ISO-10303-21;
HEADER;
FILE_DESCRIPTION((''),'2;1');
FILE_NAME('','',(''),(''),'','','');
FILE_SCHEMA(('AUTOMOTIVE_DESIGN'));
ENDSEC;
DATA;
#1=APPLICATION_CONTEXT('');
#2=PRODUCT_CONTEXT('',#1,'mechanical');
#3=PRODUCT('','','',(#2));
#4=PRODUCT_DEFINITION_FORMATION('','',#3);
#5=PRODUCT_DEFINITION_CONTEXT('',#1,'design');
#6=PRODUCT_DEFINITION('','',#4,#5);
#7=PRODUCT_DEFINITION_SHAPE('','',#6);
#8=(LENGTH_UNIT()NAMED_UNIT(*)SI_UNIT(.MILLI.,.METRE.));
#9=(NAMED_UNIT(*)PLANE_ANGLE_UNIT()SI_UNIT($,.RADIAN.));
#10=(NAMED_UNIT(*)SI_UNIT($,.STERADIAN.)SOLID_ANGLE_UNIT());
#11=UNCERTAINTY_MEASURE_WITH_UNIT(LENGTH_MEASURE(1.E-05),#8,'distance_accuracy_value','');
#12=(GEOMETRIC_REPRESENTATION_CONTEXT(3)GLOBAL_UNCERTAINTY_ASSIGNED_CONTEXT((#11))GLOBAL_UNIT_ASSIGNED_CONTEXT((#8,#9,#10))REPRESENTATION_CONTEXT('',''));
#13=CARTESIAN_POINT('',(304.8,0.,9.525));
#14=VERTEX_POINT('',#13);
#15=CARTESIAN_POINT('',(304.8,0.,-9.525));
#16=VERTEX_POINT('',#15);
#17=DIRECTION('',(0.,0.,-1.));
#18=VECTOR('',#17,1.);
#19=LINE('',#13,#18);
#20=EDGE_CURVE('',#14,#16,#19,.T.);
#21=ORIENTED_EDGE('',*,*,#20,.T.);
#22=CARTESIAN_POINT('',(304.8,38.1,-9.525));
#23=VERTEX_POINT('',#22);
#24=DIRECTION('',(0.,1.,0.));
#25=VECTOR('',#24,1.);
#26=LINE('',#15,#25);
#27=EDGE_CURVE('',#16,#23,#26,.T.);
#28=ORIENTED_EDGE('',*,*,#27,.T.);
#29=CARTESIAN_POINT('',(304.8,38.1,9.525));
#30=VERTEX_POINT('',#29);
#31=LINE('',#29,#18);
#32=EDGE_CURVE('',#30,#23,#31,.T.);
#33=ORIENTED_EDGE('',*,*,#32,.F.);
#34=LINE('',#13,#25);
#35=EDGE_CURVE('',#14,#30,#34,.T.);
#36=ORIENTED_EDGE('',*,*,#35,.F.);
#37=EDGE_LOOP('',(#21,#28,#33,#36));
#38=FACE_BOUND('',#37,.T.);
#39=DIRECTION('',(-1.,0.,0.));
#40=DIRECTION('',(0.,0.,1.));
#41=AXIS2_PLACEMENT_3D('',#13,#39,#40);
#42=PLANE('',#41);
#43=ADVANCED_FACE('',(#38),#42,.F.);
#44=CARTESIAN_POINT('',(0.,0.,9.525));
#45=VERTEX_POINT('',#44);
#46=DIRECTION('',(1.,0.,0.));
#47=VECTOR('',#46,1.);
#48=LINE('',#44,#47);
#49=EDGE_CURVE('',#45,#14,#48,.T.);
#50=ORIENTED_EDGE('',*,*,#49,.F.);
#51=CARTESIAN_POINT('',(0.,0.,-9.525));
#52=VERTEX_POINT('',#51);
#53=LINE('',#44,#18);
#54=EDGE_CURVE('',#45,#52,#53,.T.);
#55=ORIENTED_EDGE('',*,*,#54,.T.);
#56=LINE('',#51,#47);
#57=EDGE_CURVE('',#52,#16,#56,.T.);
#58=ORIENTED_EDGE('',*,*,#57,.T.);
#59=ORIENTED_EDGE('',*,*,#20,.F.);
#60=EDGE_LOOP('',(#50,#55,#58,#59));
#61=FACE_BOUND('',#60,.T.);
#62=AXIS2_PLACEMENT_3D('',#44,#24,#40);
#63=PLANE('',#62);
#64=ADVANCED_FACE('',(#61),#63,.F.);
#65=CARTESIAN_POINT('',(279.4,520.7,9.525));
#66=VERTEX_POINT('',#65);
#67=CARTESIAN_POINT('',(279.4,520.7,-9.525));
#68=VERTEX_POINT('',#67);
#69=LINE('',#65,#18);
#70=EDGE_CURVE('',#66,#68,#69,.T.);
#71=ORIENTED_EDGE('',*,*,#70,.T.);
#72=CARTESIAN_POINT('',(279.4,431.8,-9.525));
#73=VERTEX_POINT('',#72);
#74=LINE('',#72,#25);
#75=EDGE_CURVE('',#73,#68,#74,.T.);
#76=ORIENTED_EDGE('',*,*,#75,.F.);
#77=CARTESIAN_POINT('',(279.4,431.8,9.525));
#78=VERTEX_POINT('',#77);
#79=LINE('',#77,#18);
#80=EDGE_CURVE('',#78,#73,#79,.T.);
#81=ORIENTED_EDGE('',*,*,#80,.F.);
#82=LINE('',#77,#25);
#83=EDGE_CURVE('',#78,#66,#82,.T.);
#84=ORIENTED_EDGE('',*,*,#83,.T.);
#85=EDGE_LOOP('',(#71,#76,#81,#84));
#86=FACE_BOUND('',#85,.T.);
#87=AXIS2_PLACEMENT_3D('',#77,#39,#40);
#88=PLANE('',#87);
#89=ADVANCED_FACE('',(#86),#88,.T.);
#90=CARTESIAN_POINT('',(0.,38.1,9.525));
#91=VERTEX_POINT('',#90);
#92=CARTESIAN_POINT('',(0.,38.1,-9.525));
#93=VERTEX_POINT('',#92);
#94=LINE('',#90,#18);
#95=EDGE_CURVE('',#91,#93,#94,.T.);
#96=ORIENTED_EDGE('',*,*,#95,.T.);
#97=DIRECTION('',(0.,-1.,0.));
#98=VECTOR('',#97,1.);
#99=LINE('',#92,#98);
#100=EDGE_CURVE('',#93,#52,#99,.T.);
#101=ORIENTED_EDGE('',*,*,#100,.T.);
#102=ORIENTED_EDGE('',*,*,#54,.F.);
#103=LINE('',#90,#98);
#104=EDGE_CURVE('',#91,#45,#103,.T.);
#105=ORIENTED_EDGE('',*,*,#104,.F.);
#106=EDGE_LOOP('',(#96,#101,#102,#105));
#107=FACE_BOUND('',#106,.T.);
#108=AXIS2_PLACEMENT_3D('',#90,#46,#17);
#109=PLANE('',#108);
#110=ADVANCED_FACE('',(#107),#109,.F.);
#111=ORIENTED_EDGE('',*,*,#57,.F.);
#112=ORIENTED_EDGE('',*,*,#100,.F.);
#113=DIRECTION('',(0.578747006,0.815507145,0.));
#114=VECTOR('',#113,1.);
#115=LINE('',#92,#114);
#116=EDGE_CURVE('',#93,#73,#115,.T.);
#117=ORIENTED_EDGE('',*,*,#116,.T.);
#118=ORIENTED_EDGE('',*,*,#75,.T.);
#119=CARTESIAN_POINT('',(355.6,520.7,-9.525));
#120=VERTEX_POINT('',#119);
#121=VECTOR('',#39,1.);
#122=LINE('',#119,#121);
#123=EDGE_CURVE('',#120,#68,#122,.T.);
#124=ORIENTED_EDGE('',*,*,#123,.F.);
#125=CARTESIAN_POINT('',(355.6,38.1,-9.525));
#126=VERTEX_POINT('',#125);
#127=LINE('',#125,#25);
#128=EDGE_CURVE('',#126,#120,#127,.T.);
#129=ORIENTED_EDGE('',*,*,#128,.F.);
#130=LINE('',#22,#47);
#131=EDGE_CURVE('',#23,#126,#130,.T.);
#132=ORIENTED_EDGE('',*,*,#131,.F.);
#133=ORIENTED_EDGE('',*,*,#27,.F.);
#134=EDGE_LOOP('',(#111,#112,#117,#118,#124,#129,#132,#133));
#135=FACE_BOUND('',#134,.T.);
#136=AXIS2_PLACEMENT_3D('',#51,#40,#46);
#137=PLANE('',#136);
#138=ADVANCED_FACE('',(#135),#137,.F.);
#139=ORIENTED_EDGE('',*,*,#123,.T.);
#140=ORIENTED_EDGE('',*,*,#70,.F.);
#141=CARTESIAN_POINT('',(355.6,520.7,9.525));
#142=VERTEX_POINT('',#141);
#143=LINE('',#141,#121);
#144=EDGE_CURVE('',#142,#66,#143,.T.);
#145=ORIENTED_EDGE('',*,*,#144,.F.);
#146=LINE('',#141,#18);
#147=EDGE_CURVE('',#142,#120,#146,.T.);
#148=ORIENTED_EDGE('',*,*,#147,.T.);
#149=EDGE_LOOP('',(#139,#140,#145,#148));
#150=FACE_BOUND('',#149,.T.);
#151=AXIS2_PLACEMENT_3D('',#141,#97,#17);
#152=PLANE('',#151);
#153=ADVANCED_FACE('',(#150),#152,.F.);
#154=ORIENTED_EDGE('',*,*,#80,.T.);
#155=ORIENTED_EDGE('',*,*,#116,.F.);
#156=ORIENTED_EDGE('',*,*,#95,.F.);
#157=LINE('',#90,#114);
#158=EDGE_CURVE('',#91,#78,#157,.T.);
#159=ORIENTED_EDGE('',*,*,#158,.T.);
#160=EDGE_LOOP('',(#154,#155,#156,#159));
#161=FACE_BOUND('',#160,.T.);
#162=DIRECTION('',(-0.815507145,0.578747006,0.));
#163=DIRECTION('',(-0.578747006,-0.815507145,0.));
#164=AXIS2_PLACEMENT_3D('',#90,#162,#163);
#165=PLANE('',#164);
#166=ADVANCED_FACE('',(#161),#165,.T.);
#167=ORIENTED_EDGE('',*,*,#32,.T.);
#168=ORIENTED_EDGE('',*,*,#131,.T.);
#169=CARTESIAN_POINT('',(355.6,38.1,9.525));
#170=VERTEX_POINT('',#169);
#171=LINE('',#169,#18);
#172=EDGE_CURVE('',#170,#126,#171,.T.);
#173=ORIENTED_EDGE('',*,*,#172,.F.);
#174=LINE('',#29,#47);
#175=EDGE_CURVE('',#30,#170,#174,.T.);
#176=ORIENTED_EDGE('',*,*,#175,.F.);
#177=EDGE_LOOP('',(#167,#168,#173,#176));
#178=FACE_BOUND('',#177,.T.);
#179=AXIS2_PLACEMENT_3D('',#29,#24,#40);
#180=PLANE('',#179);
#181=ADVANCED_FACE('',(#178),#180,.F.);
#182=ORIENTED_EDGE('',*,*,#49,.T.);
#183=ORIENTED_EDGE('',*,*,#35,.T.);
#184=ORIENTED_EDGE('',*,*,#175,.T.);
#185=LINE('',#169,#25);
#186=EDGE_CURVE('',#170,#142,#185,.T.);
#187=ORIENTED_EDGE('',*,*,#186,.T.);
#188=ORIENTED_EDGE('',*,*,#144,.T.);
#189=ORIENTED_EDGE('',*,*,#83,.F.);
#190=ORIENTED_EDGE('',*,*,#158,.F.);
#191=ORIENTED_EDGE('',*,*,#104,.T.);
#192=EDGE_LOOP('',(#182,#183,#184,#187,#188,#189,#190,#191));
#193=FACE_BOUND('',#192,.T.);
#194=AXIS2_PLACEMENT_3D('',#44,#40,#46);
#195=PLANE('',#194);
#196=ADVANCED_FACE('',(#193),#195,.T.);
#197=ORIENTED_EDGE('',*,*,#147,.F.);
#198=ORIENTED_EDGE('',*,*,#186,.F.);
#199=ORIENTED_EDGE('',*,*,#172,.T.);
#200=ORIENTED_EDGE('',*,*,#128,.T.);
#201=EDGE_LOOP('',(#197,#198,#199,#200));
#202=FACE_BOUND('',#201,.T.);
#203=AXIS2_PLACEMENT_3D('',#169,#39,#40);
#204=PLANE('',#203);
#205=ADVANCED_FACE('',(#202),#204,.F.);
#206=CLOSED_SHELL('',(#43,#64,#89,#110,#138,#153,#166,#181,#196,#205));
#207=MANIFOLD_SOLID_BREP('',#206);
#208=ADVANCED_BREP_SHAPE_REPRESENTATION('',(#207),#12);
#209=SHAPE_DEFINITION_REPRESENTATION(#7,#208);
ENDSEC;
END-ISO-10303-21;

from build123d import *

# Parameters (mm, degrees)
BOSS_EXTRUDE1_DEPTH = 9.525


with BuildPart() as part:
    # Sketch1 → Boss-Extrude1 (new, symmetric)
    with BuildSketch(Plane.XY):
        Polygon((0, 0), (304.8, 0), (304.8, 38.1), (355.6, 38.1), (355.6, 520.7), (279.4, 520.7), (279.4, 431.8), (0, 38.1), align=None)
    extrude(amount=BOSS_EXTRUDE1_DEPTH, both=True)


solid = part.part
